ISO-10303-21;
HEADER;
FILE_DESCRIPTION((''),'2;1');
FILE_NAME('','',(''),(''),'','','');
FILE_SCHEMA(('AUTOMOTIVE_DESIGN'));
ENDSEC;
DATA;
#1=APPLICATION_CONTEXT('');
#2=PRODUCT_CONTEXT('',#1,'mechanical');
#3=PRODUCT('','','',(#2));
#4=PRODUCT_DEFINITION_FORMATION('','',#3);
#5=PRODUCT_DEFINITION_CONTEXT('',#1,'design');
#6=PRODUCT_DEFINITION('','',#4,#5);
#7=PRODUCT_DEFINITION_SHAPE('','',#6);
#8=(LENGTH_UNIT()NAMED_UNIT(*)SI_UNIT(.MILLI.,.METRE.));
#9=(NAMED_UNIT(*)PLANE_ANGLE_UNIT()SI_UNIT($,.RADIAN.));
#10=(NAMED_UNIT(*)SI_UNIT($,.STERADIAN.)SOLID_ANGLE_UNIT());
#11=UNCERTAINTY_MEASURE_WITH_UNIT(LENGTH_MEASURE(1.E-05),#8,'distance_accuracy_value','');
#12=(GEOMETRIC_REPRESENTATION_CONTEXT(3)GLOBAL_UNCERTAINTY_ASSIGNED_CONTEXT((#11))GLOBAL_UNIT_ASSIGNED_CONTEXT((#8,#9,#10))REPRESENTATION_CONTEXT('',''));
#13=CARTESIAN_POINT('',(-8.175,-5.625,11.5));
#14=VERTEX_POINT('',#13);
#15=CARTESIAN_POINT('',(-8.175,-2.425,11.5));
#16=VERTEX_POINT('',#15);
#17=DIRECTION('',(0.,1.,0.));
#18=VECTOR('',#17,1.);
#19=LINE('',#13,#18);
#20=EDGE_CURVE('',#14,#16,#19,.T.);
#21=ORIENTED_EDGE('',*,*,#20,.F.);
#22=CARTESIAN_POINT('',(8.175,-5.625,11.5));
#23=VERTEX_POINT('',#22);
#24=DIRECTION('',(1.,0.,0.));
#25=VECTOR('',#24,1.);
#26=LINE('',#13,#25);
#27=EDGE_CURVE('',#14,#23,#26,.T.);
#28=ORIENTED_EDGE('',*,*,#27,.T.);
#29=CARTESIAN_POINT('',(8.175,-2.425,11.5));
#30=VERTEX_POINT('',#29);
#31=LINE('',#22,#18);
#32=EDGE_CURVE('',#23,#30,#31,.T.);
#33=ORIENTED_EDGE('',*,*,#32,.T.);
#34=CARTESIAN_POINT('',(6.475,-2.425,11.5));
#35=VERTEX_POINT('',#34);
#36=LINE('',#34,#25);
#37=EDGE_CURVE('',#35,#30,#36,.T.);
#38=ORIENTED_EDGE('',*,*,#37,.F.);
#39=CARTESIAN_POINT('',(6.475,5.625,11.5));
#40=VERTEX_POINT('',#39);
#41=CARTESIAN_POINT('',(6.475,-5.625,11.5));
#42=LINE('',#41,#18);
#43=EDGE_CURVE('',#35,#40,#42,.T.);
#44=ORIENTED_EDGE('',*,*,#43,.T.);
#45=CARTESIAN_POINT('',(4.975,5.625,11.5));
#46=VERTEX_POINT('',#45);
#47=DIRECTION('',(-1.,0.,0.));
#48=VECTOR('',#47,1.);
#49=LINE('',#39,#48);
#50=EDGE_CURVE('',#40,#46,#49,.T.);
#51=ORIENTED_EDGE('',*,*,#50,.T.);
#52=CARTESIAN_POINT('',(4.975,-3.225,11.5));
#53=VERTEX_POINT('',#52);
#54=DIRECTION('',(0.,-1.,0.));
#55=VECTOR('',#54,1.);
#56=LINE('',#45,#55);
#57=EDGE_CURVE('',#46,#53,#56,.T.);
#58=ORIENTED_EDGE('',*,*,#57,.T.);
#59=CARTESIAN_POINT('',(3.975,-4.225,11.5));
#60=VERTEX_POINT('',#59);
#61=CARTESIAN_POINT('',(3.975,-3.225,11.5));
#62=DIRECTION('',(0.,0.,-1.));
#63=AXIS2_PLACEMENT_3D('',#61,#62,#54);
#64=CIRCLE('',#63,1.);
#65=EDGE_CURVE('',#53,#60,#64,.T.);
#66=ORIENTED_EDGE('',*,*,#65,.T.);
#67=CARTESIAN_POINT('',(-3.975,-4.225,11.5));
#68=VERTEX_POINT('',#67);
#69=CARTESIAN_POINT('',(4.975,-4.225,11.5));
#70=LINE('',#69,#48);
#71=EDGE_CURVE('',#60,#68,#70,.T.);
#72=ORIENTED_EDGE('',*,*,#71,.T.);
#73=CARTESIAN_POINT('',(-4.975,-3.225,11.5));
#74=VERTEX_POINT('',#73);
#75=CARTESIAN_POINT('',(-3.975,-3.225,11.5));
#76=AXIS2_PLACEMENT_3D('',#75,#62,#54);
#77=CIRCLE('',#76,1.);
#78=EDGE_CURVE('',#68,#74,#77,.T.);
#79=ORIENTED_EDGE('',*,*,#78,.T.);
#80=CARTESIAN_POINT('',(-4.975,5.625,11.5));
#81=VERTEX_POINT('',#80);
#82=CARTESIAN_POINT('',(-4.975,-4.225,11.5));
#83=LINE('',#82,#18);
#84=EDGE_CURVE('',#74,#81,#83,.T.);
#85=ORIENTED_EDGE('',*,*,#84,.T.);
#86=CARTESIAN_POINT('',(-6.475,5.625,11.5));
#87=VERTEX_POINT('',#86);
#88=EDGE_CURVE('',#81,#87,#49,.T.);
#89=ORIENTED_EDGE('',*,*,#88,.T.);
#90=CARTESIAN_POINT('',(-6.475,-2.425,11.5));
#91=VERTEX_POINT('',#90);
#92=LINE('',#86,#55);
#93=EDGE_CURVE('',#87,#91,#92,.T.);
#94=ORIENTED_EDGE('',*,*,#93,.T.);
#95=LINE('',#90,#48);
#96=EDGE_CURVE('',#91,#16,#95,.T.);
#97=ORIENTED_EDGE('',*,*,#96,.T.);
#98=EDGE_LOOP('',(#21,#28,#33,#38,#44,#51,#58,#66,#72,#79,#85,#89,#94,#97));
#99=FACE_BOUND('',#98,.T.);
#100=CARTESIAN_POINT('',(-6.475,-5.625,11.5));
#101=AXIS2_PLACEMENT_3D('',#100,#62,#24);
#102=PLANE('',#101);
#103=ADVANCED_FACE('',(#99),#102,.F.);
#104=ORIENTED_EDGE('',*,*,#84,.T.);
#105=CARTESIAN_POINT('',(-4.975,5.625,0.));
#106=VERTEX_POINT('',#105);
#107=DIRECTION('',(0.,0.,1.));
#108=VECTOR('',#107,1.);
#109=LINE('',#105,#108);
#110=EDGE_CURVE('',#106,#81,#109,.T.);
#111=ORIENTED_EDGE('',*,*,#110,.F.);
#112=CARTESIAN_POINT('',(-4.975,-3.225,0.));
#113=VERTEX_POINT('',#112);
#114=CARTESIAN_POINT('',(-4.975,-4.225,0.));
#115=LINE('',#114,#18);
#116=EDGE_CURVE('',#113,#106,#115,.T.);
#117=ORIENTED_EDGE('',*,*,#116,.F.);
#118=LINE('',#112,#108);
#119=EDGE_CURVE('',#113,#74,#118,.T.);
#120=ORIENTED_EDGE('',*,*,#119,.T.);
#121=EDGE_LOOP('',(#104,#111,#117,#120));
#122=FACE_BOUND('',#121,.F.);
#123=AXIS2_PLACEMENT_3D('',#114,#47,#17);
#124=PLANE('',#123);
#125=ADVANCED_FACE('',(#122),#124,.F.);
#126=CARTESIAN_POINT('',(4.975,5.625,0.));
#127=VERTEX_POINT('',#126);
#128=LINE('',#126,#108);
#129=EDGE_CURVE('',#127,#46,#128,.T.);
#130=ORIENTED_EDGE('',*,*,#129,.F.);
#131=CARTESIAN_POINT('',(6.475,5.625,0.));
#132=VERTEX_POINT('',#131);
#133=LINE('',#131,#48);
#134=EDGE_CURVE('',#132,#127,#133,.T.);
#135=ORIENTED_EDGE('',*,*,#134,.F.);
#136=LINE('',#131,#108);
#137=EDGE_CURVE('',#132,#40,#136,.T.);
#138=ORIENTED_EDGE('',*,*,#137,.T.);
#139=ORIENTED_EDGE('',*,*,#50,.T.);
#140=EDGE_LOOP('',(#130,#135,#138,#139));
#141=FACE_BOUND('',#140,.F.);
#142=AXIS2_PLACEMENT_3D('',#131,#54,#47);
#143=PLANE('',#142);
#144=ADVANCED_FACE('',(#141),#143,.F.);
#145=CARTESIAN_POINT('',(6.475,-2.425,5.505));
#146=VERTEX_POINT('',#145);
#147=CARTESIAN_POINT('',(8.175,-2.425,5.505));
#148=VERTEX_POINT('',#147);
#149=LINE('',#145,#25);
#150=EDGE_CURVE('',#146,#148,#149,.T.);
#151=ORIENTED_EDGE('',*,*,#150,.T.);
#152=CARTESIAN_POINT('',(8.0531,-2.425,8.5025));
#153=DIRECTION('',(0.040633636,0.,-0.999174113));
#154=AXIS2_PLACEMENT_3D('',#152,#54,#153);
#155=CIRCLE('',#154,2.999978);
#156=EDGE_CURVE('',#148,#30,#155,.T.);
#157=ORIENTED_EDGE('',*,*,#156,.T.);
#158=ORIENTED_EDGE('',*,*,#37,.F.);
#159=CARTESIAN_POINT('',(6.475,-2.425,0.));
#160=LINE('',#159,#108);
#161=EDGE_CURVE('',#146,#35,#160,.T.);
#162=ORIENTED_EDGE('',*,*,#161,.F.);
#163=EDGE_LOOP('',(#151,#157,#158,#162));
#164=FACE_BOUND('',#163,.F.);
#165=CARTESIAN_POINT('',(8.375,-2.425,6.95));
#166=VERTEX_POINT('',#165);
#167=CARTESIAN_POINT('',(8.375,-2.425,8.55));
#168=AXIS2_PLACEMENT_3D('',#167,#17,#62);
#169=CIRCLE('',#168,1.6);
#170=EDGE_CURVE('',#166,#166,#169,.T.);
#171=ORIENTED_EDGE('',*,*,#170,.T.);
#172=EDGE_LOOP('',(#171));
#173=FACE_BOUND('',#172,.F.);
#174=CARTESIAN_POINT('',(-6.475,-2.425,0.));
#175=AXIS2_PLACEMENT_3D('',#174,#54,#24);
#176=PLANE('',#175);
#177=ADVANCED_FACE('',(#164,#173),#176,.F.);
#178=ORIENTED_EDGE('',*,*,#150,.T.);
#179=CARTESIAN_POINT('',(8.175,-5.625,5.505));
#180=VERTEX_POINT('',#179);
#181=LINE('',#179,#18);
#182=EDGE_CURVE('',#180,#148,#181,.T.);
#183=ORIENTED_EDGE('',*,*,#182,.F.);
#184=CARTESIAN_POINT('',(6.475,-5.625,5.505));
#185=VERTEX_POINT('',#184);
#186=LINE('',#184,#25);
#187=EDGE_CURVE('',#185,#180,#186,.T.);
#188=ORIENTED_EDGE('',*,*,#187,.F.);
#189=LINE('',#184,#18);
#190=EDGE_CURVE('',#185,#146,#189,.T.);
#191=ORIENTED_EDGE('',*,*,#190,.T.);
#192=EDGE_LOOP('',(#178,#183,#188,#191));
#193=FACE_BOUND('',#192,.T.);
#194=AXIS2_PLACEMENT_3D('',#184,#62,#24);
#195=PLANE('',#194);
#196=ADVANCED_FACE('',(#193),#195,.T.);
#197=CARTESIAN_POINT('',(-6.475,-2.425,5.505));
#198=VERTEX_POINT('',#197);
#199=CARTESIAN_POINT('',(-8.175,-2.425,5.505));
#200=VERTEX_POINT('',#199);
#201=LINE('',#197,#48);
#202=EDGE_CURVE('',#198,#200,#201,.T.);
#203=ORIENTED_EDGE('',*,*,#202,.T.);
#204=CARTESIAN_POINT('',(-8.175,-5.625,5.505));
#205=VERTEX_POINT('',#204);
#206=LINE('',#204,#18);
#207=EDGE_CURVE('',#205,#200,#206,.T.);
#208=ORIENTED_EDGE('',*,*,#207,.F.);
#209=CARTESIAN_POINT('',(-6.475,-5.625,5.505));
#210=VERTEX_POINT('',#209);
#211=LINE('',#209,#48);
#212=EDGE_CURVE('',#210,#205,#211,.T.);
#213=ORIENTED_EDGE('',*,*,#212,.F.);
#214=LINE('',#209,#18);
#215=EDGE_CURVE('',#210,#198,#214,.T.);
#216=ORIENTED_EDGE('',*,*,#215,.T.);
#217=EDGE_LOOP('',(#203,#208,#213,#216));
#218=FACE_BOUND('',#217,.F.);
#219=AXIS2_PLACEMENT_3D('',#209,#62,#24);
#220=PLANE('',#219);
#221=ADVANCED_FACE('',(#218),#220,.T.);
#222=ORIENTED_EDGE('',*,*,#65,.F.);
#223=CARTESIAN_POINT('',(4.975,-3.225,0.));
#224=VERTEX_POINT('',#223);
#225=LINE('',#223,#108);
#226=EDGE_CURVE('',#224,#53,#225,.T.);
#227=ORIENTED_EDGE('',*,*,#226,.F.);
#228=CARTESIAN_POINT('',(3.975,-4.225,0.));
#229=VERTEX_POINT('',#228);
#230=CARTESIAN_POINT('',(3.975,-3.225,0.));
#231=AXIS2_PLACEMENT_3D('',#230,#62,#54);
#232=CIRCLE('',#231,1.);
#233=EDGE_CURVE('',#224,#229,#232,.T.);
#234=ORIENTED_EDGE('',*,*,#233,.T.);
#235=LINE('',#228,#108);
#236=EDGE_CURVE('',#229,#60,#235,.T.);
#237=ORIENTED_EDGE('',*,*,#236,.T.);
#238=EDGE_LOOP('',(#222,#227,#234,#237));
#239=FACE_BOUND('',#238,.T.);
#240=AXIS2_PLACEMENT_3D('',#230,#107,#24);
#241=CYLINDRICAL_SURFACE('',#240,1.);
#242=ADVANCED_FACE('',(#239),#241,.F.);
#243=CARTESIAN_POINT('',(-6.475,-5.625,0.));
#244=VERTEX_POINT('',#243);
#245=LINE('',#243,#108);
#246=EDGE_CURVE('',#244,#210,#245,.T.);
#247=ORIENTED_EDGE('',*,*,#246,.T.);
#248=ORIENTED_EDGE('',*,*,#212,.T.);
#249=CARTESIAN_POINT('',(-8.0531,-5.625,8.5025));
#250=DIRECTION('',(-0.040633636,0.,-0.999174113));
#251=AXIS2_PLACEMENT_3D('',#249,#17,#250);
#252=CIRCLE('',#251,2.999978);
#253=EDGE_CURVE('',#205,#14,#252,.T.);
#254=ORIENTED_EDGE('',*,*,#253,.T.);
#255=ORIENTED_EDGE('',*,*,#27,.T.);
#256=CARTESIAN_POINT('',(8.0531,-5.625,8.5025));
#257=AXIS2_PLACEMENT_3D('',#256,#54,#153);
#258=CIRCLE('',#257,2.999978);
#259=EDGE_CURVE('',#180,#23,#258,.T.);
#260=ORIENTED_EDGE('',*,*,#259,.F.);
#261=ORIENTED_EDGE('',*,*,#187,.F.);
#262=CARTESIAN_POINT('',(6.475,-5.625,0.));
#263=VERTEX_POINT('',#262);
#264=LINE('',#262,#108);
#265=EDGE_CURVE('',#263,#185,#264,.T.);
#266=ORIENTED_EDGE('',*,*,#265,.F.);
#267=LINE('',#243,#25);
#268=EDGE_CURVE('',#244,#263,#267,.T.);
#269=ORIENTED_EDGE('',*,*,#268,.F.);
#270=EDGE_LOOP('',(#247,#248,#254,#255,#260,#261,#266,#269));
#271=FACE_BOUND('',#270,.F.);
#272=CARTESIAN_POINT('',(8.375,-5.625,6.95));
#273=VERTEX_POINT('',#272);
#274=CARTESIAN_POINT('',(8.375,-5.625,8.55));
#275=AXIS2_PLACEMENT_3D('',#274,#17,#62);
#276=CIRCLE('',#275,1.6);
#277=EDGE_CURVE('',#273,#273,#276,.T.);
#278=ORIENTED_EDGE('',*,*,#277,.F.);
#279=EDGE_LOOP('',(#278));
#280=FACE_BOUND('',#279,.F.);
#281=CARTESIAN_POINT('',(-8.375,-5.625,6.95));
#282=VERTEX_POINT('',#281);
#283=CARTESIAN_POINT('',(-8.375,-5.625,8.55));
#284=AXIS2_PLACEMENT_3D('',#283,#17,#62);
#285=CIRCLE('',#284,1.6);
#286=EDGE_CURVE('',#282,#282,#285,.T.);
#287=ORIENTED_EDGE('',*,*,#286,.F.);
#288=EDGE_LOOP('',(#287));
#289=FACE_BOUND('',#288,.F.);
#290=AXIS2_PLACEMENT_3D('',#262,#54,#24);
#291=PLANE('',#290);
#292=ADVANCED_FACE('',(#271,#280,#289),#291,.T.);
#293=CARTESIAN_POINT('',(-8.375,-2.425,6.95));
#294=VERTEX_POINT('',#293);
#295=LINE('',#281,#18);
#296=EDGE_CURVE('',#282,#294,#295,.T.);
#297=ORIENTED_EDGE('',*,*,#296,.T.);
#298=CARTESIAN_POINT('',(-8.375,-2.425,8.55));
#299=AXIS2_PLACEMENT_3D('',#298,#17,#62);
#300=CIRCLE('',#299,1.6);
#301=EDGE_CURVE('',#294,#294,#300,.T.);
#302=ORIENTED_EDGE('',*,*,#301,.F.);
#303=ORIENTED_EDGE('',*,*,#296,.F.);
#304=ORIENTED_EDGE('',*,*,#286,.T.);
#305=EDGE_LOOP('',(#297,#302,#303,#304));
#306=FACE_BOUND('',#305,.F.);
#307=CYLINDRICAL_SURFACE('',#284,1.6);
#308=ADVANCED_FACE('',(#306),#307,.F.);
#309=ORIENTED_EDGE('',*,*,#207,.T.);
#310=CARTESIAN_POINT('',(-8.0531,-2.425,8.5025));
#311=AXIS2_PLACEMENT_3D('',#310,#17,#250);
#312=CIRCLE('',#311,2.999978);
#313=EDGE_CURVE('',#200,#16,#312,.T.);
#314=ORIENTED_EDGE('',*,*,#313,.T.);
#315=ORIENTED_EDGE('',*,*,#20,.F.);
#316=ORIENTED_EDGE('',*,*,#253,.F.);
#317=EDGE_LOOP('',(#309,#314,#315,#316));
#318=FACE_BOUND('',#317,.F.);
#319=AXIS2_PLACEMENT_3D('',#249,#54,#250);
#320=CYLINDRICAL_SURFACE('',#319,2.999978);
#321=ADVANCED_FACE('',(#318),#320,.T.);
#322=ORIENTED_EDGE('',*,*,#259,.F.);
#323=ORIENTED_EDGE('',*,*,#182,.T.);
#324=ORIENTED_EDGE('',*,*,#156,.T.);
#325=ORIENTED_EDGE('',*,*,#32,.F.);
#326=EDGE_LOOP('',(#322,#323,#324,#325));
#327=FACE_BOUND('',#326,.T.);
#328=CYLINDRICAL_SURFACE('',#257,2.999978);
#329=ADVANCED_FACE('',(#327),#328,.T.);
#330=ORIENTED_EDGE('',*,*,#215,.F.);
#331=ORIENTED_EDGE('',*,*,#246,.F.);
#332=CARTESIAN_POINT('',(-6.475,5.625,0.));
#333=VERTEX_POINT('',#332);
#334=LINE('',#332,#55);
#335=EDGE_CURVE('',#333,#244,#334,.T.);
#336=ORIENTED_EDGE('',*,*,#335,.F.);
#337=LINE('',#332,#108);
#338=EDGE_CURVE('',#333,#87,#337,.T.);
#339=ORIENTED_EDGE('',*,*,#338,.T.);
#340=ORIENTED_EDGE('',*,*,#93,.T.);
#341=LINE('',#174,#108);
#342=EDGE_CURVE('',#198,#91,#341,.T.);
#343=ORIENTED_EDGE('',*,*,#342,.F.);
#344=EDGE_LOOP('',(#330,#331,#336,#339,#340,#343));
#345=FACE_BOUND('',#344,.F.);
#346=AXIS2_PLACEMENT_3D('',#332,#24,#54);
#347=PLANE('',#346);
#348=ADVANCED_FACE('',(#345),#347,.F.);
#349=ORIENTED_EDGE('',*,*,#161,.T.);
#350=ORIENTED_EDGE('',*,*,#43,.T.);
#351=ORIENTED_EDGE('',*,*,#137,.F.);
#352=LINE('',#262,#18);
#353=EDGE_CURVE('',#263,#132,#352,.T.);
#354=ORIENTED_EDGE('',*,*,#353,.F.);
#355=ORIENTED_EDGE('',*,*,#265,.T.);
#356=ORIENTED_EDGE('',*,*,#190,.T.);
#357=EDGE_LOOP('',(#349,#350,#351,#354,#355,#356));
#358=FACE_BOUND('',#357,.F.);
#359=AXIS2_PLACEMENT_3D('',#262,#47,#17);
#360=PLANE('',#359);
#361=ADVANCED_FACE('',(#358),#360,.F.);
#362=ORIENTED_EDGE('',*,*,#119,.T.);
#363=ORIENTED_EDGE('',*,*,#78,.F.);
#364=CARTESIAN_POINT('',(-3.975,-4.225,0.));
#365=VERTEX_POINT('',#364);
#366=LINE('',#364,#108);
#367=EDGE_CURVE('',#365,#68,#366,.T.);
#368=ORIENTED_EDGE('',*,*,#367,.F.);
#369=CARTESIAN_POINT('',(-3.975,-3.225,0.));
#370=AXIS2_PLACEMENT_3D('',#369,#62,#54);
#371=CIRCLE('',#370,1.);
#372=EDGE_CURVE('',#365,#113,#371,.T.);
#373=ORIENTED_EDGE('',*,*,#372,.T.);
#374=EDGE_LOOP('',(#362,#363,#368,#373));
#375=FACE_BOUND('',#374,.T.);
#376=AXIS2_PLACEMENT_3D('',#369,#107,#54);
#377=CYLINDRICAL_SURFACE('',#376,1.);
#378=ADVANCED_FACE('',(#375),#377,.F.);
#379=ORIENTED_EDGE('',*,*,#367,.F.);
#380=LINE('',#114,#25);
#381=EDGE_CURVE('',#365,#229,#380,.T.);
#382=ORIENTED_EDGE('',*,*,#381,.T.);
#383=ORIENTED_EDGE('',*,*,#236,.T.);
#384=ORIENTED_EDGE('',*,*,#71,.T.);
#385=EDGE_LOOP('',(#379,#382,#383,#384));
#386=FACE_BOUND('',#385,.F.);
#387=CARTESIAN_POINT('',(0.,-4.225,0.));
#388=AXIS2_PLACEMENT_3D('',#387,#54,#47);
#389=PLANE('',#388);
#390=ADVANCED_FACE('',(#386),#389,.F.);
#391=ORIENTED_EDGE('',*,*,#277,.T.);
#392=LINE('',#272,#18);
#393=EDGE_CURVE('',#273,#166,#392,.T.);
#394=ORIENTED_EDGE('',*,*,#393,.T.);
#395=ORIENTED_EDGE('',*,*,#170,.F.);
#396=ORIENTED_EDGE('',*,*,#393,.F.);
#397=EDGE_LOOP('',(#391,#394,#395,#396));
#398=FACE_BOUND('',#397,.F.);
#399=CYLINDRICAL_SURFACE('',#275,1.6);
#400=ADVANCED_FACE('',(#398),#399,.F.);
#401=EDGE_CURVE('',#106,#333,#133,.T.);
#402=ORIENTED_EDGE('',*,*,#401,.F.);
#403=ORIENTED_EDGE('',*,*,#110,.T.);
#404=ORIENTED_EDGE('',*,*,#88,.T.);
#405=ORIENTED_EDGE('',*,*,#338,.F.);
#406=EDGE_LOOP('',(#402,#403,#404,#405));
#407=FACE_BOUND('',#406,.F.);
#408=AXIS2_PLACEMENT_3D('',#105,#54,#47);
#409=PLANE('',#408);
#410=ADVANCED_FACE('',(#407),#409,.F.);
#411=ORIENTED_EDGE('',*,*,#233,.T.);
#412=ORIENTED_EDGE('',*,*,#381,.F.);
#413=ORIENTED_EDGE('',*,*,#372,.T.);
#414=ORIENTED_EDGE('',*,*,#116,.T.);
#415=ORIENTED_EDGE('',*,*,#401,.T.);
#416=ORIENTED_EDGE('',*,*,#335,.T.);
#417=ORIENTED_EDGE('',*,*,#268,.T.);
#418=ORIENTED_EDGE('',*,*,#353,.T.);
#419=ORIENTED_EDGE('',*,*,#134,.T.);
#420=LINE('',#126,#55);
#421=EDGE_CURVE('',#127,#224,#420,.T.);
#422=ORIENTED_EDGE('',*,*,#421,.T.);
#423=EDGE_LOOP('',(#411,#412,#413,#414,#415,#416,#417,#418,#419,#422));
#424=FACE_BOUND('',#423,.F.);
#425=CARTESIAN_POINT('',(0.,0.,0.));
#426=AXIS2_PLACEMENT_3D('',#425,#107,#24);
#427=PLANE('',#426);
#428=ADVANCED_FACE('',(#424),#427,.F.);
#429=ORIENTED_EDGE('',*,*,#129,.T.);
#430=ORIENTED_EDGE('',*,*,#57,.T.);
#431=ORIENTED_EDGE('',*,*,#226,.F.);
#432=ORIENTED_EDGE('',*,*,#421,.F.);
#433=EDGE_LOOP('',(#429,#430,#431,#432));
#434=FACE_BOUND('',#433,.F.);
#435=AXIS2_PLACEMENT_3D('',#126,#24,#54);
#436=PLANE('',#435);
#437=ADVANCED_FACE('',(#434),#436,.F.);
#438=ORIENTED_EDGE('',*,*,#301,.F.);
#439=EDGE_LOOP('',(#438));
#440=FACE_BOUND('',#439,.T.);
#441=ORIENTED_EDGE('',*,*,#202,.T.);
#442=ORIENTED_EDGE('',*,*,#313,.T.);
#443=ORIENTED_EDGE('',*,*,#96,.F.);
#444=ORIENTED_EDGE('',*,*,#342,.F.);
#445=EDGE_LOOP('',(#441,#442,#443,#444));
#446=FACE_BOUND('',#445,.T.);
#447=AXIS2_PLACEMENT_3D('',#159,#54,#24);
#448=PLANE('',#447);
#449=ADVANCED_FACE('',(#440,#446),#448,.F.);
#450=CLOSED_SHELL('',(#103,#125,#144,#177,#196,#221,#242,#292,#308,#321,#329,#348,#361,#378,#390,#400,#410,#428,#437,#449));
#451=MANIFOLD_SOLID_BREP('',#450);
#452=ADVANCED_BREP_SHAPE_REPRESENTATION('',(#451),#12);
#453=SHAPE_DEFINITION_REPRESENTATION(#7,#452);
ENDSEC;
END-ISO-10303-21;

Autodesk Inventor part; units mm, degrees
ref_plane "YZ Plane" through (0, 0, 0) normal (1, 0, 0) x (0, 1, 0)
ref_plane "XZ Plane" through (0, 0, 0) normal (0, 1, 0) x (-1, 0, 0)
sketch "草图1" plane through (0, 0, 0) normal (0, 0, 1) x (1, 0, 0)
  line L0 (-6.475, -5.625) -> (6.475, -5.625)
  line L1 (6.475, -5.625) -> (6.475, 5.625)
  line L2 (6.475, 5.625) -> (-6.475, 5.625)
  line L3 (-6.475, 5.625) -> (-6.475, -5.625)
  line L4 (-6.475, -5.625) -> (6.475, 5.625) construction
  line L5 (6.475, -5.625) -> (-6.475, 5.625) construction
  line L6 (4.975, -4.225) -> (-4.975, -4.225)
  line L7 (-4.975, -4.225) -> (-4.975, 5.625)
  line L8 (-4.975, 5.625) -> (4.975, 5.625)
  line L9 (4.975, 5.625) -> (4.975, -4.225)
  line L10 (4.975, -4.225) -> (-4.975, 5.625) construction
  line L11 (-4.975, -4.225) -> (4.975, 5.625) construction
  line L12 (0, -7.875) -> (0, 7.875) projected
  point P0 (0, 0)
  point P1 (0, 0.7)
  point P2 (0, 0.7)
  dimension "d0" = 11.25
  dimension "d1" = 9.85
  dimension "d2" = 9.95
  dimension "d3" = 1.5
extrude "拉伸1" add sketch "草图1" along normal blind 11.5 contours L3 L2 L7 L6 L12 L0 | L12 L6 L9 L2 L1 L0
sketch "草图2" plane through (-6.475, -5.625, 0) normal (0, -1, 0) x (1, 0, 0)
  line L0 (0, 0) -> (12.95, 0) projected
  line L1 (12.95, 0) -> (12.95, 11.5) projected
  line L2 (0, 11.5) -> (12.95, 11.5) projected
  line L3 (0, 0) -> (0, 11.5) projected
  line L4 (0, 11.5) -> (12.95, 11.5) construction
  line L5 (6.475, 11.5) -> (6.475, 0) construction
  line L6 (12.95, 11.5) -> (11.45, 11.5) construction
  line L7 (12.95, 11.5) -> (14.65, 11.5)
  line L8 (12.95, 0) -> (12.95, 11.5) construction
  line L9 (12.95, 5.505) -> (14.65, 5.505)
  arc A0 (14.65, 5.505) -> (14.65, 11.5) centre (14.5281, 8.5025) ccw
  line L10 (0, 11.5) -> (-1.7, 11.5)
  line L11 (0, 5.505) -> (-1.7, 5.505)
  arc A1 (-1.7, 11.5) -> (-1.7, 5.505) centre (-1.5781, 8.5025) ccw
  point P0 (14.85, 8.55)
  point P1 (-1.9, 8.55)
  dimension "d6" = 1.7
  dimension "d7" = 3
  dimension "d8" = 1.9
  dimension "d9" = 2.95
extrude "拉伸2" add sketch "草图2" against normal blind 3.2 contours L1 L7 A0 L9
ref_plane "工作平面1" through (0, -5.625, 0) normal (1, 0, 0) x (0, 0, -1)
mirror "镜像1" about plane through (0, -5.625, 0) normal (1, 0, 0) of "拉伸2"
hole "孔1" at (8.375, -5.625, 8.55) at (-8.375, -5.625, 8.55) direction (0, 1, 0) diameter 3.2 end through all
fillet "圆角1" radius 1 2 edges at (4.975, -4.225, 5.75) (-4.975, -4.225, 5.75)
properties part number "N20电机座"
